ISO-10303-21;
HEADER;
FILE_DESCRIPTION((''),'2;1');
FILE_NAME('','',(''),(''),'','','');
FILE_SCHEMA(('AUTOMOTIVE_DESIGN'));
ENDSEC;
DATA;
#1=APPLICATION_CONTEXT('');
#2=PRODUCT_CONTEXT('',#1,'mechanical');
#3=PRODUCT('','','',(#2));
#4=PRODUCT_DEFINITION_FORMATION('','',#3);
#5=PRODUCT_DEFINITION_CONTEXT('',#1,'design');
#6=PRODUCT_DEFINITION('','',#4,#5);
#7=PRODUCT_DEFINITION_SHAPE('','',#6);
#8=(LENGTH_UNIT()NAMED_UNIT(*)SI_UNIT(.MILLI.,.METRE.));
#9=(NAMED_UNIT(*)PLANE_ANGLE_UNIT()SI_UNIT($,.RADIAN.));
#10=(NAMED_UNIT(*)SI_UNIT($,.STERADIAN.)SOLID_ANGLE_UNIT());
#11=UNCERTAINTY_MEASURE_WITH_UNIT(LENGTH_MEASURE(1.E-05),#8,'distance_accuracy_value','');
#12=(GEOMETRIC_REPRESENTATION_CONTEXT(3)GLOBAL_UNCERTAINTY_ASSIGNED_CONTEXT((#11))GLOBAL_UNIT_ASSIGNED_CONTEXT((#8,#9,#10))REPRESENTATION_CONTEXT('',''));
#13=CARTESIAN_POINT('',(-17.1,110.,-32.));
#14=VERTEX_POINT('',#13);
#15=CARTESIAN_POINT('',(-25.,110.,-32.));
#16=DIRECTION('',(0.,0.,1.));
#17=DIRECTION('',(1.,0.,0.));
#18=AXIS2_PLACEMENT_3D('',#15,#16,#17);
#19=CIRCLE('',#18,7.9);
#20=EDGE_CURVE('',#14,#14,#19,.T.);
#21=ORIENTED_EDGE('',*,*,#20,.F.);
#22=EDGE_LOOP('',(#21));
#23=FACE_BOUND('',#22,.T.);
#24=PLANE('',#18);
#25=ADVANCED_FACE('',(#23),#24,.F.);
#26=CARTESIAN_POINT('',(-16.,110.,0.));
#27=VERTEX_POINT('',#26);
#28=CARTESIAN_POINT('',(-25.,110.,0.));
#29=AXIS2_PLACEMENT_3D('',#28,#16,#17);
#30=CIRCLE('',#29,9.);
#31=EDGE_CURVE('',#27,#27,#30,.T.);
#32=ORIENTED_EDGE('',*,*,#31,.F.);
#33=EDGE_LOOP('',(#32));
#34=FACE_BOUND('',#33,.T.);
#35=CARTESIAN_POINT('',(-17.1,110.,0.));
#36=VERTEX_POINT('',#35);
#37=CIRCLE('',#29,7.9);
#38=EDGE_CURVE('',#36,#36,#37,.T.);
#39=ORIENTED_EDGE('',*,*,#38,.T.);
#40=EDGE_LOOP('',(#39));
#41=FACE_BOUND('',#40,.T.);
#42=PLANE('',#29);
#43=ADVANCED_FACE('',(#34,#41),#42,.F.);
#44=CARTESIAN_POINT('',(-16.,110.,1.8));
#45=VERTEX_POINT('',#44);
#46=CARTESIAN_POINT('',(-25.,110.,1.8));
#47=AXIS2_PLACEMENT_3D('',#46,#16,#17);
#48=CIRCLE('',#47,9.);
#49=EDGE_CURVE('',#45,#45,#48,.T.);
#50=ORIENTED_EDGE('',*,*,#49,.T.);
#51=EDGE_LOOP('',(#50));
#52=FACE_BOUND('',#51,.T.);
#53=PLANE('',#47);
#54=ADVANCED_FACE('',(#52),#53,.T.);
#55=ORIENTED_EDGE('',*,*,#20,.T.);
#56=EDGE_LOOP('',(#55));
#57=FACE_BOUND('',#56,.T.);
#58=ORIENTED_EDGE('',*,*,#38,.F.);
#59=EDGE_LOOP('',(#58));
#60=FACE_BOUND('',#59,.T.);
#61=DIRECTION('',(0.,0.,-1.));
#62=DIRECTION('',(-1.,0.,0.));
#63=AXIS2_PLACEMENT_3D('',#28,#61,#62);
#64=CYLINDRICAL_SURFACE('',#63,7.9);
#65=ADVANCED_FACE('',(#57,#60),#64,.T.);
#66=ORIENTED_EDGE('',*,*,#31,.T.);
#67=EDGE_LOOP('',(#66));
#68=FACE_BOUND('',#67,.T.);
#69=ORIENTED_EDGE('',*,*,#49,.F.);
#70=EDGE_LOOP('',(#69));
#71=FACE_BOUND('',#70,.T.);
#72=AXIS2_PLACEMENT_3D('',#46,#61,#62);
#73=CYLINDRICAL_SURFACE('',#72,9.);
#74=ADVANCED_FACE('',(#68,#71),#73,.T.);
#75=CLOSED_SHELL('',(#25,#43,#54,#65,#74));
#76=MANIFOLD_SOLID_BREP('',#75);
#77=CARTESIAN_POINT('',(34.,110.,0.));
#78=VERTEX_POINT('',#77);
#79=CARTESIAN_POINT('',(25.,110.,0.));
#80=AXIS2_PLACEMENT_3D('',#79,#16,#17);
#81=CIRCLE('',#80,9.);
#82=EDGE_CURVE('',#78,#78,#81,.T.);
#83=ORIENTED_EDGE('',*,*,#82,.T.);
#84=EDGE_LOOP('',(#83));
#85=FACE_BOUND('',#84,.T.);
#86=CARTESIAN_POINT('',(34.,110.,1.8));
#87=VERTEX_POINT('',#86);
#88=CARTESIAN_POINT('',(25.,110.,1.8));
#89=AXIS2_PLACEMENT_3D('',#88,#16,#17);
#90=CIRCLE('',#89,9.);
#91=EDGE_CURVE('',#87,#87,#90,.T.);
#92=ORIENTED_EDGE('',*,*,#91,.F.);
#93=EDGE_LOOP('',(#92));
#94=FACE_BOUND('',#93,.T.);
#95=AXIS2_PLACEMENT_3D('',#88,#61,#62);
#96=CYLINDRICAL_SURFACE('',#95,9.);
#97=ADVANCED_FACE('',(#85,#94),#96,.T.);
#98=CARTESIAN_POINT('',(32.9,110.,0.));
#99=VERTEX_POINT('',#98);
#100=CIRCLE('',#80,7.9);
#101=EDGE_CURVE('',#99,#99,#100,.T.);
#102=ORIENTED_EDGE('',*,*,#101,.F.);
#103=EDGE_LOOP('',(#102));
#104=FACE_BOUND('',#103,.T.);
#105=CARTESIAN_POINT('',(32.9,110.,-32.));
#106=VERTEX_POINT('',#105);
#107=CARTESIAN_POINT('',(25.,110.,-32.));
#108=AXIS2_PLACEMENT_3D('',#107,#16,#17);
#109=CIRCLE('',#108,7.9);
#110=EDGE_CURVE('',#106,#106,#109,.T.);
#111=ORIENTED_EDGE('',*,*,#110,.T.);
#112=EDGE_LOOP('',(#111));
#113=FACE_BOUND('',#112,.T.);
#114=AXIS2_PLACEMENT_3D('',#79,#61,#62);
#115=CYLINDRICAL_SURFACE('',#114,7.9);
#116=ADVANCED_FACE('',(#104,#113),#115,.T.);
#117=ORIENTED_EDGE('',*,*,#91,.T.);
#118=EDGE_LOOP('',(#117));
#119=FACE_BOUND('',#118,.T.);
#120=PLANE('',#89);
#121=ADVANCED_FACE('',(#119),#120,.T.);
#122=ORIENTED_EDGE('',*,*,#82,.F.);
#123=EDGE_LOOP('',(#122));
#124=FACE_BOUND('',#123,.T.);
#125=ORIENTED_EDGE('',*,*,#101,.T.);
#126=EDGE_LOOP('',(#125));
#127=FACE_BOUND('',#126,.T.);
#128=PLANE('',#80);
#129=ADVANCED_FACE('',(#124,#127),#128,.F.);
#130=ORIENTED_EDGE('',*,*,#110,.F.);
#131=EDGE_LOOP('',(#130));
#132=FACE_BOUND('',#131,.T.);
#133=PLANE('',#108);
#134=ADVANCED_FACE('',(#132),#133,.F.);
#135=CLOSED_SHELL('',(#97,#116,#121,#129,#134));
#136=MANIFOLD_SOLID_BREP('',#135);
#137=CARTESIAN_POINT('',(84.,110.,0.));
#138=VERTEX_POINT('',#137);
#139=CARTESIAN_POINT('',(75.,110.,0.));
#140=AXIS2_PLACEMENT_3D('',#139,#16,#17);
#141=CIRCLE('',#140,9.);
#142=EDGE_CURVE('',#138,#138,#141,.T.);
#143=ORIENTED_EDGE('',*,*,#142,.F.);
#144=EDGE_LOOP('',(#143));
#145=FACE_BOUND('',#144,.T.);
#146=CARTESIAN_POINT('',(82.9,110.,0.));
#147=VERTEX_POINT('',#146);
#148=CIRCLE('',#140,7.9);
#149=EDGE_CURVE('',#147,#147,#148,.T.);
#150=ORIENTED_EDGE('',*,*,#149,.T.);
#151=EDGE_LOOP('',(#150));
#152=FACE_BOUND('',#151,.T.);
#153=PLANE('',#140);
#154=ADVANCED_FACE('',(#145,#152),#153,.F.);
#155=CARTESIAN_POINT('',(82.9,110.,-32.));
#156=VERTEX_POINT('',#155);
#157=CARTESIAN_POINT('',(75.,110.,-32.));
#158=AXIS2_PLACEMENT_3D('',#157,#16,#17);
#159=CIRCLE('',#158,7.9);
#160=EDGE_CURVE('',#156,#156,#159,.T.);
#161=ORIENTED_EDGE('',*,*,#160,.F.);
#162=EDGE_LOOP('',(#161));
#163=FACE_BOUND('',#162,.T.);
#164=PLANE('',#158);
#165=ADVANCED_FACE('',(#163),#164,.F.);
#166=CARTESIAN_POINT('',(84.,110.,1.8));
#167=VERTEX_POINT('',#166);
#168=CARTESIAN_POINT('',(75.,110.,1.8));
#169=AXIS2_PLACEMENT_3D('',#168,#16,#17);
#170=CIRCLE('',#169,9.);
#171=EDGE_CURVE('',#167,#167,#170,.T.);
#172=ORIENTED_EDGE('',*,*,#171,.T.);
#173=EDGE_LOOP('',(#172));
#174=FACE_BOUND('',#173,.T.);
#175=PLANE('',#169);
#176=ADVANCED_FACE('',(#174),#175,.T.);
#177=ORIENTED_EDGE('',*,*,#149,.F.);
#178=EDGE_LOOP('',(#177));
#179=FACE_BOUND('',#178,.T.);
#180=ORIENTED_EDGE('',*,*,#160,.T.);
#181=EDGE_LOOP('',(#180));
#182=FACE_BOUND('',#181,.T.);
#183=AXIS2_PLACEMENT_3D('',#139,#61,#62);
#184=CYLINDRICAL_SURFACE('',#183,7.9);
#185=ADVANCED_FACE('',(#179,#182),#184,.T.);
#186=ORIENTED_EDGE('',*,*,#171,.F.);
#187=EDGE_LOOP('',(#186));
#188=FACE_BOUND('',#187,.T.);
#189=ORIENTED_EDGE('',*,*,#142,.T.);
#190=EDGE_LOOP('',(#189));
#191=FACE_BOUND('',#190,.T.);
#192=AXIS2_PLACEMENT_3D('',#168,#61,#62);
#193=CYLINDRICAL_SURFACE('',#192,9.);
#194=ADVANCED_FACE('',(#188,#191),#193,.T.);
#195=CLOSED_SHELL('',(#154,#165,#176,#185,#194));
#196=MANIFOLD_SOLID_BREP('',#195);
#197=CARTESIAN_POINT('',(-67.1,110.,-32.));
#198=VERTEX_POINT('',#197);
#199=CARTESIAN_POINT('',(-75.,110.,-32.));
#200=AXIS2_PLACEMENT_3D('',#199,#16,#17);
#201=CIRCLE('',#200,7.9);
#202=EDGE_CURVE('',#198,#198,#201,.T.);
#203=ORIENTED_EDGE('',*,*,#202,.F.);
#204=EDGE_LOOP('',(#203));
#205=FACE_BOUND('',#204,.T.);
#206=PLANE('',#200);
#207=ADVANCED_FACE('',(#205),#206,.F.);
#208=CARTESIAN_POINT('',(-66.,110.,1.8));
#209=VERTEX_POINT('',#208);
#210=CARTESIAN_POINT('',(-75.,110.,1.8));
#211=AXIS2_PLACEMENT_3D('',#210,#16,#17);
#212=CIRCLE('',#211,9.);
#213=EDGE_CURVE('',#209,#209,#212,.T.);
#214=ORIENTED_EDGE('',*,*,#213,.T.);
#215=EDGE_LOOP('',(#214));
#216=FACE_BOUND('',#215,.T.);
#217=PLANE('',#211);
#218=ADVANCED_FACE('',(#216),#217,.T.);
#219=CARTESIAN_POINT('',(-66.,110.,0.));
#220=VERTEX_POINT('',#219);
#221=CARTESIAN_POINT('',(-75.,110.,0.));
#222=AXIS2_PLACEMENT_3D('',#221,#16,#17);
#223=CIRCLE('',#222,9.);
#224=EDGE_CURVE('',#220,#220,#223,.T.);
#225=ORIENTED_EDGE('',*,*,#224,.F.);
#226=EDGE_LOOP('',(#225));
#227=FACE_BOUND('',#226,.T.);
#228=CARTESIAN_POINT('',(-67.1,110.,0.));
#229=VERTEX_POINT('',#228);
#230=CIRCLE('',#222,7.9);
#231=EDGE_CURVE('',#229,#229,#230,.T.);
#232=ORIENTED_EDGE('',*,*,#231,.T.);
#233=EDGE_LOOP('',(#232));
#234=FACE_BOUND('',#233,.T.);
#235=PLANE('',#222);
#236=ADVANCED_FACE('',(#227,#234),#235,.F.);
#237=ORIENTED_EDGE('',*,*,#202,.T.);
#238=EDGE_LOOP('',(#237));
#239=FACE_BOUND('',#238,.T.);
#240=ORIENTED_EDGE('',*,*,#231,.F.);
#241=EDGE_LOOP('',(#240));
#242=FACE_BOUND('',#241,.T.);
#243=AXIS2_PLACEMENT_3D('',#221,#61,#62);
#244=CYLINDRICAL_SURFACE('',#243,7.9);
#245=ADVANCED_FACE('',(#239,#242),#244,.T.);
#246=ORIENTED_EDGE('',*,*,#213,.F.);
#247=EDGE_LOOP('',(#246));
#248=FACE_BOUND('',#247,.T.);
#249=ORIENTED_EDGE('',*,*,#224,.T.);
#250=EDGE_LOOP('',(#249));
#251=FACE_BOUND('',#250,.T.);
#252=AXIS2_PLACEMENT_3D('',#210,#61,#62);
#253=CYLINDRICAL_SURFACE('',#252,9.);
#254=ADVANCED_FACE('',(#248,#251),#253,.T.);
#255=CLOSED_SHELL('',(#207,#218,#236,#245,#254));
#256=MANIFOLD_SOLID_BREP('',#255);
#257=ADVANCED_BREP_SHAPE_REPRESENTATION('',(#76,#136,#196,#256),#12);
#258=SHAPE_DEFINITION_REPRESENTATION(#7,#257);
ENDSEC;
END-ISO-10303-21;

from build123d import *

# Parameters (mm, degrees)
V09_16MM_SWITCH_BODIES_TAIL_ALLOWANCE32_START = -32
SKETCH_3_R                                    = 7.9
V09_16MM_SWITCH_BODIES_TAIL_ALLOWANCE32_DEPTH = 32
V09_16MM_SWITCH_BODIES_TAIL_ALLOWANC_START    = -32
V09_16MM_SWITCH_BODIES_TAIL_ALLOWANC_2_DEPTH  = 32
V09_16MM_SWITCH_BODIES_TAIL_ALLOWANC_3_DEPTH  = 32
V09_16MM_SWITCH_BODIES_TAIL_ALLOWANC_4_DEPTH  = 32
SKETCH_4_R                                    = 9
V09_SWITCH_FLANGE_D18_DEPTH                   = 1.8


with BuildPart() as part:
    # 草图3 → V09_16mm_switch_bodies_tail_allowance32 (new body)
    with BuildSketch(Plane.XY.offset(V09_16MM_SWITCH_BODIES_TAIL_ALLOWANCE32_START)):
        with Locations((-75, 110)):
            Circle(SKETCH_3_R)
    extrude(amount=V09_16MM_SWITCH_BODIES_TAIL_ALLOWANCE32_DEPTH)



with BuildPart() as body_2:
    # 草图3 → V09_16mm_switch_bodies_tail_allowanc 2 (new body)
    with BuildSketch(Plane.XY.offset(V09_16MM_SWITCH_BODIES_TAIL_ALLOWANC_START)):
        with Locations((-25, 110)):
            Circle(SKETCH_3_R)
    extrude(amount=V09_16MM_SWITCH_BODIES_TAIL_ALLOWANC_2_DEPTH)


with BuildPart() as body_3:
    # 草图3 → V09_16mm_switch_bodies_tail_allowanc 3 (new body)
    with BuildSketch(Plane.XY.offset(V09_16MM_SWITCH_BODIES_TAIL_ALLOWANC_START)):
        with Locations((25, 110)):
            Circle(SKETCH_3_R)
    extrude(amount=V09_16MM_SWITCH_BODIES_TAIL_ALLOWANC_3_DEPTH)


with BuildPart() as body_4:
    # 草图3 → V09_16mm_switch_bodies_tail_allowanc 4 (new body)
    with BuildSketch(Plane.XY.offset(V09_16MM_SWITCH_BODIES_TAIL_ALLOWANC_START)):
        with Locations((75, 110)):
            Circle(SKETCH_3_R)
    extrude(amount=V09_16MM_SWITCH_BODIES_TAIL_ALLOWANC_4_DEPTH)


with BuildPart() as part_1:
    add(part.part)

    add(body_2.part)  # V09_Switch_flange_D18 merges body 2

    add(body_3.part)  # V09_Switch_flange_D18 merges body 3

    add(body_4.part)  # V09_Switch_flange_D18 merges body 4
    # 草图4 → V09_Switch_flange_D18 (add)
    with BuildSketch(Plane.XY):
        with Locations((-75, 110)):
            Circle(SKETCH_4_R)
        with Locations((-25, 110)):
            Circle(SKETCH_4_R)
        with Locations((25, 110)):
            Circle(SKETCH_4_R)
        with Locations((75, 110)):
            Circle(SKETCH_4_R)
    extrude(amount=V09_SWITCH_FLANGE_D18_DEPTH)


solid = part_1.part
